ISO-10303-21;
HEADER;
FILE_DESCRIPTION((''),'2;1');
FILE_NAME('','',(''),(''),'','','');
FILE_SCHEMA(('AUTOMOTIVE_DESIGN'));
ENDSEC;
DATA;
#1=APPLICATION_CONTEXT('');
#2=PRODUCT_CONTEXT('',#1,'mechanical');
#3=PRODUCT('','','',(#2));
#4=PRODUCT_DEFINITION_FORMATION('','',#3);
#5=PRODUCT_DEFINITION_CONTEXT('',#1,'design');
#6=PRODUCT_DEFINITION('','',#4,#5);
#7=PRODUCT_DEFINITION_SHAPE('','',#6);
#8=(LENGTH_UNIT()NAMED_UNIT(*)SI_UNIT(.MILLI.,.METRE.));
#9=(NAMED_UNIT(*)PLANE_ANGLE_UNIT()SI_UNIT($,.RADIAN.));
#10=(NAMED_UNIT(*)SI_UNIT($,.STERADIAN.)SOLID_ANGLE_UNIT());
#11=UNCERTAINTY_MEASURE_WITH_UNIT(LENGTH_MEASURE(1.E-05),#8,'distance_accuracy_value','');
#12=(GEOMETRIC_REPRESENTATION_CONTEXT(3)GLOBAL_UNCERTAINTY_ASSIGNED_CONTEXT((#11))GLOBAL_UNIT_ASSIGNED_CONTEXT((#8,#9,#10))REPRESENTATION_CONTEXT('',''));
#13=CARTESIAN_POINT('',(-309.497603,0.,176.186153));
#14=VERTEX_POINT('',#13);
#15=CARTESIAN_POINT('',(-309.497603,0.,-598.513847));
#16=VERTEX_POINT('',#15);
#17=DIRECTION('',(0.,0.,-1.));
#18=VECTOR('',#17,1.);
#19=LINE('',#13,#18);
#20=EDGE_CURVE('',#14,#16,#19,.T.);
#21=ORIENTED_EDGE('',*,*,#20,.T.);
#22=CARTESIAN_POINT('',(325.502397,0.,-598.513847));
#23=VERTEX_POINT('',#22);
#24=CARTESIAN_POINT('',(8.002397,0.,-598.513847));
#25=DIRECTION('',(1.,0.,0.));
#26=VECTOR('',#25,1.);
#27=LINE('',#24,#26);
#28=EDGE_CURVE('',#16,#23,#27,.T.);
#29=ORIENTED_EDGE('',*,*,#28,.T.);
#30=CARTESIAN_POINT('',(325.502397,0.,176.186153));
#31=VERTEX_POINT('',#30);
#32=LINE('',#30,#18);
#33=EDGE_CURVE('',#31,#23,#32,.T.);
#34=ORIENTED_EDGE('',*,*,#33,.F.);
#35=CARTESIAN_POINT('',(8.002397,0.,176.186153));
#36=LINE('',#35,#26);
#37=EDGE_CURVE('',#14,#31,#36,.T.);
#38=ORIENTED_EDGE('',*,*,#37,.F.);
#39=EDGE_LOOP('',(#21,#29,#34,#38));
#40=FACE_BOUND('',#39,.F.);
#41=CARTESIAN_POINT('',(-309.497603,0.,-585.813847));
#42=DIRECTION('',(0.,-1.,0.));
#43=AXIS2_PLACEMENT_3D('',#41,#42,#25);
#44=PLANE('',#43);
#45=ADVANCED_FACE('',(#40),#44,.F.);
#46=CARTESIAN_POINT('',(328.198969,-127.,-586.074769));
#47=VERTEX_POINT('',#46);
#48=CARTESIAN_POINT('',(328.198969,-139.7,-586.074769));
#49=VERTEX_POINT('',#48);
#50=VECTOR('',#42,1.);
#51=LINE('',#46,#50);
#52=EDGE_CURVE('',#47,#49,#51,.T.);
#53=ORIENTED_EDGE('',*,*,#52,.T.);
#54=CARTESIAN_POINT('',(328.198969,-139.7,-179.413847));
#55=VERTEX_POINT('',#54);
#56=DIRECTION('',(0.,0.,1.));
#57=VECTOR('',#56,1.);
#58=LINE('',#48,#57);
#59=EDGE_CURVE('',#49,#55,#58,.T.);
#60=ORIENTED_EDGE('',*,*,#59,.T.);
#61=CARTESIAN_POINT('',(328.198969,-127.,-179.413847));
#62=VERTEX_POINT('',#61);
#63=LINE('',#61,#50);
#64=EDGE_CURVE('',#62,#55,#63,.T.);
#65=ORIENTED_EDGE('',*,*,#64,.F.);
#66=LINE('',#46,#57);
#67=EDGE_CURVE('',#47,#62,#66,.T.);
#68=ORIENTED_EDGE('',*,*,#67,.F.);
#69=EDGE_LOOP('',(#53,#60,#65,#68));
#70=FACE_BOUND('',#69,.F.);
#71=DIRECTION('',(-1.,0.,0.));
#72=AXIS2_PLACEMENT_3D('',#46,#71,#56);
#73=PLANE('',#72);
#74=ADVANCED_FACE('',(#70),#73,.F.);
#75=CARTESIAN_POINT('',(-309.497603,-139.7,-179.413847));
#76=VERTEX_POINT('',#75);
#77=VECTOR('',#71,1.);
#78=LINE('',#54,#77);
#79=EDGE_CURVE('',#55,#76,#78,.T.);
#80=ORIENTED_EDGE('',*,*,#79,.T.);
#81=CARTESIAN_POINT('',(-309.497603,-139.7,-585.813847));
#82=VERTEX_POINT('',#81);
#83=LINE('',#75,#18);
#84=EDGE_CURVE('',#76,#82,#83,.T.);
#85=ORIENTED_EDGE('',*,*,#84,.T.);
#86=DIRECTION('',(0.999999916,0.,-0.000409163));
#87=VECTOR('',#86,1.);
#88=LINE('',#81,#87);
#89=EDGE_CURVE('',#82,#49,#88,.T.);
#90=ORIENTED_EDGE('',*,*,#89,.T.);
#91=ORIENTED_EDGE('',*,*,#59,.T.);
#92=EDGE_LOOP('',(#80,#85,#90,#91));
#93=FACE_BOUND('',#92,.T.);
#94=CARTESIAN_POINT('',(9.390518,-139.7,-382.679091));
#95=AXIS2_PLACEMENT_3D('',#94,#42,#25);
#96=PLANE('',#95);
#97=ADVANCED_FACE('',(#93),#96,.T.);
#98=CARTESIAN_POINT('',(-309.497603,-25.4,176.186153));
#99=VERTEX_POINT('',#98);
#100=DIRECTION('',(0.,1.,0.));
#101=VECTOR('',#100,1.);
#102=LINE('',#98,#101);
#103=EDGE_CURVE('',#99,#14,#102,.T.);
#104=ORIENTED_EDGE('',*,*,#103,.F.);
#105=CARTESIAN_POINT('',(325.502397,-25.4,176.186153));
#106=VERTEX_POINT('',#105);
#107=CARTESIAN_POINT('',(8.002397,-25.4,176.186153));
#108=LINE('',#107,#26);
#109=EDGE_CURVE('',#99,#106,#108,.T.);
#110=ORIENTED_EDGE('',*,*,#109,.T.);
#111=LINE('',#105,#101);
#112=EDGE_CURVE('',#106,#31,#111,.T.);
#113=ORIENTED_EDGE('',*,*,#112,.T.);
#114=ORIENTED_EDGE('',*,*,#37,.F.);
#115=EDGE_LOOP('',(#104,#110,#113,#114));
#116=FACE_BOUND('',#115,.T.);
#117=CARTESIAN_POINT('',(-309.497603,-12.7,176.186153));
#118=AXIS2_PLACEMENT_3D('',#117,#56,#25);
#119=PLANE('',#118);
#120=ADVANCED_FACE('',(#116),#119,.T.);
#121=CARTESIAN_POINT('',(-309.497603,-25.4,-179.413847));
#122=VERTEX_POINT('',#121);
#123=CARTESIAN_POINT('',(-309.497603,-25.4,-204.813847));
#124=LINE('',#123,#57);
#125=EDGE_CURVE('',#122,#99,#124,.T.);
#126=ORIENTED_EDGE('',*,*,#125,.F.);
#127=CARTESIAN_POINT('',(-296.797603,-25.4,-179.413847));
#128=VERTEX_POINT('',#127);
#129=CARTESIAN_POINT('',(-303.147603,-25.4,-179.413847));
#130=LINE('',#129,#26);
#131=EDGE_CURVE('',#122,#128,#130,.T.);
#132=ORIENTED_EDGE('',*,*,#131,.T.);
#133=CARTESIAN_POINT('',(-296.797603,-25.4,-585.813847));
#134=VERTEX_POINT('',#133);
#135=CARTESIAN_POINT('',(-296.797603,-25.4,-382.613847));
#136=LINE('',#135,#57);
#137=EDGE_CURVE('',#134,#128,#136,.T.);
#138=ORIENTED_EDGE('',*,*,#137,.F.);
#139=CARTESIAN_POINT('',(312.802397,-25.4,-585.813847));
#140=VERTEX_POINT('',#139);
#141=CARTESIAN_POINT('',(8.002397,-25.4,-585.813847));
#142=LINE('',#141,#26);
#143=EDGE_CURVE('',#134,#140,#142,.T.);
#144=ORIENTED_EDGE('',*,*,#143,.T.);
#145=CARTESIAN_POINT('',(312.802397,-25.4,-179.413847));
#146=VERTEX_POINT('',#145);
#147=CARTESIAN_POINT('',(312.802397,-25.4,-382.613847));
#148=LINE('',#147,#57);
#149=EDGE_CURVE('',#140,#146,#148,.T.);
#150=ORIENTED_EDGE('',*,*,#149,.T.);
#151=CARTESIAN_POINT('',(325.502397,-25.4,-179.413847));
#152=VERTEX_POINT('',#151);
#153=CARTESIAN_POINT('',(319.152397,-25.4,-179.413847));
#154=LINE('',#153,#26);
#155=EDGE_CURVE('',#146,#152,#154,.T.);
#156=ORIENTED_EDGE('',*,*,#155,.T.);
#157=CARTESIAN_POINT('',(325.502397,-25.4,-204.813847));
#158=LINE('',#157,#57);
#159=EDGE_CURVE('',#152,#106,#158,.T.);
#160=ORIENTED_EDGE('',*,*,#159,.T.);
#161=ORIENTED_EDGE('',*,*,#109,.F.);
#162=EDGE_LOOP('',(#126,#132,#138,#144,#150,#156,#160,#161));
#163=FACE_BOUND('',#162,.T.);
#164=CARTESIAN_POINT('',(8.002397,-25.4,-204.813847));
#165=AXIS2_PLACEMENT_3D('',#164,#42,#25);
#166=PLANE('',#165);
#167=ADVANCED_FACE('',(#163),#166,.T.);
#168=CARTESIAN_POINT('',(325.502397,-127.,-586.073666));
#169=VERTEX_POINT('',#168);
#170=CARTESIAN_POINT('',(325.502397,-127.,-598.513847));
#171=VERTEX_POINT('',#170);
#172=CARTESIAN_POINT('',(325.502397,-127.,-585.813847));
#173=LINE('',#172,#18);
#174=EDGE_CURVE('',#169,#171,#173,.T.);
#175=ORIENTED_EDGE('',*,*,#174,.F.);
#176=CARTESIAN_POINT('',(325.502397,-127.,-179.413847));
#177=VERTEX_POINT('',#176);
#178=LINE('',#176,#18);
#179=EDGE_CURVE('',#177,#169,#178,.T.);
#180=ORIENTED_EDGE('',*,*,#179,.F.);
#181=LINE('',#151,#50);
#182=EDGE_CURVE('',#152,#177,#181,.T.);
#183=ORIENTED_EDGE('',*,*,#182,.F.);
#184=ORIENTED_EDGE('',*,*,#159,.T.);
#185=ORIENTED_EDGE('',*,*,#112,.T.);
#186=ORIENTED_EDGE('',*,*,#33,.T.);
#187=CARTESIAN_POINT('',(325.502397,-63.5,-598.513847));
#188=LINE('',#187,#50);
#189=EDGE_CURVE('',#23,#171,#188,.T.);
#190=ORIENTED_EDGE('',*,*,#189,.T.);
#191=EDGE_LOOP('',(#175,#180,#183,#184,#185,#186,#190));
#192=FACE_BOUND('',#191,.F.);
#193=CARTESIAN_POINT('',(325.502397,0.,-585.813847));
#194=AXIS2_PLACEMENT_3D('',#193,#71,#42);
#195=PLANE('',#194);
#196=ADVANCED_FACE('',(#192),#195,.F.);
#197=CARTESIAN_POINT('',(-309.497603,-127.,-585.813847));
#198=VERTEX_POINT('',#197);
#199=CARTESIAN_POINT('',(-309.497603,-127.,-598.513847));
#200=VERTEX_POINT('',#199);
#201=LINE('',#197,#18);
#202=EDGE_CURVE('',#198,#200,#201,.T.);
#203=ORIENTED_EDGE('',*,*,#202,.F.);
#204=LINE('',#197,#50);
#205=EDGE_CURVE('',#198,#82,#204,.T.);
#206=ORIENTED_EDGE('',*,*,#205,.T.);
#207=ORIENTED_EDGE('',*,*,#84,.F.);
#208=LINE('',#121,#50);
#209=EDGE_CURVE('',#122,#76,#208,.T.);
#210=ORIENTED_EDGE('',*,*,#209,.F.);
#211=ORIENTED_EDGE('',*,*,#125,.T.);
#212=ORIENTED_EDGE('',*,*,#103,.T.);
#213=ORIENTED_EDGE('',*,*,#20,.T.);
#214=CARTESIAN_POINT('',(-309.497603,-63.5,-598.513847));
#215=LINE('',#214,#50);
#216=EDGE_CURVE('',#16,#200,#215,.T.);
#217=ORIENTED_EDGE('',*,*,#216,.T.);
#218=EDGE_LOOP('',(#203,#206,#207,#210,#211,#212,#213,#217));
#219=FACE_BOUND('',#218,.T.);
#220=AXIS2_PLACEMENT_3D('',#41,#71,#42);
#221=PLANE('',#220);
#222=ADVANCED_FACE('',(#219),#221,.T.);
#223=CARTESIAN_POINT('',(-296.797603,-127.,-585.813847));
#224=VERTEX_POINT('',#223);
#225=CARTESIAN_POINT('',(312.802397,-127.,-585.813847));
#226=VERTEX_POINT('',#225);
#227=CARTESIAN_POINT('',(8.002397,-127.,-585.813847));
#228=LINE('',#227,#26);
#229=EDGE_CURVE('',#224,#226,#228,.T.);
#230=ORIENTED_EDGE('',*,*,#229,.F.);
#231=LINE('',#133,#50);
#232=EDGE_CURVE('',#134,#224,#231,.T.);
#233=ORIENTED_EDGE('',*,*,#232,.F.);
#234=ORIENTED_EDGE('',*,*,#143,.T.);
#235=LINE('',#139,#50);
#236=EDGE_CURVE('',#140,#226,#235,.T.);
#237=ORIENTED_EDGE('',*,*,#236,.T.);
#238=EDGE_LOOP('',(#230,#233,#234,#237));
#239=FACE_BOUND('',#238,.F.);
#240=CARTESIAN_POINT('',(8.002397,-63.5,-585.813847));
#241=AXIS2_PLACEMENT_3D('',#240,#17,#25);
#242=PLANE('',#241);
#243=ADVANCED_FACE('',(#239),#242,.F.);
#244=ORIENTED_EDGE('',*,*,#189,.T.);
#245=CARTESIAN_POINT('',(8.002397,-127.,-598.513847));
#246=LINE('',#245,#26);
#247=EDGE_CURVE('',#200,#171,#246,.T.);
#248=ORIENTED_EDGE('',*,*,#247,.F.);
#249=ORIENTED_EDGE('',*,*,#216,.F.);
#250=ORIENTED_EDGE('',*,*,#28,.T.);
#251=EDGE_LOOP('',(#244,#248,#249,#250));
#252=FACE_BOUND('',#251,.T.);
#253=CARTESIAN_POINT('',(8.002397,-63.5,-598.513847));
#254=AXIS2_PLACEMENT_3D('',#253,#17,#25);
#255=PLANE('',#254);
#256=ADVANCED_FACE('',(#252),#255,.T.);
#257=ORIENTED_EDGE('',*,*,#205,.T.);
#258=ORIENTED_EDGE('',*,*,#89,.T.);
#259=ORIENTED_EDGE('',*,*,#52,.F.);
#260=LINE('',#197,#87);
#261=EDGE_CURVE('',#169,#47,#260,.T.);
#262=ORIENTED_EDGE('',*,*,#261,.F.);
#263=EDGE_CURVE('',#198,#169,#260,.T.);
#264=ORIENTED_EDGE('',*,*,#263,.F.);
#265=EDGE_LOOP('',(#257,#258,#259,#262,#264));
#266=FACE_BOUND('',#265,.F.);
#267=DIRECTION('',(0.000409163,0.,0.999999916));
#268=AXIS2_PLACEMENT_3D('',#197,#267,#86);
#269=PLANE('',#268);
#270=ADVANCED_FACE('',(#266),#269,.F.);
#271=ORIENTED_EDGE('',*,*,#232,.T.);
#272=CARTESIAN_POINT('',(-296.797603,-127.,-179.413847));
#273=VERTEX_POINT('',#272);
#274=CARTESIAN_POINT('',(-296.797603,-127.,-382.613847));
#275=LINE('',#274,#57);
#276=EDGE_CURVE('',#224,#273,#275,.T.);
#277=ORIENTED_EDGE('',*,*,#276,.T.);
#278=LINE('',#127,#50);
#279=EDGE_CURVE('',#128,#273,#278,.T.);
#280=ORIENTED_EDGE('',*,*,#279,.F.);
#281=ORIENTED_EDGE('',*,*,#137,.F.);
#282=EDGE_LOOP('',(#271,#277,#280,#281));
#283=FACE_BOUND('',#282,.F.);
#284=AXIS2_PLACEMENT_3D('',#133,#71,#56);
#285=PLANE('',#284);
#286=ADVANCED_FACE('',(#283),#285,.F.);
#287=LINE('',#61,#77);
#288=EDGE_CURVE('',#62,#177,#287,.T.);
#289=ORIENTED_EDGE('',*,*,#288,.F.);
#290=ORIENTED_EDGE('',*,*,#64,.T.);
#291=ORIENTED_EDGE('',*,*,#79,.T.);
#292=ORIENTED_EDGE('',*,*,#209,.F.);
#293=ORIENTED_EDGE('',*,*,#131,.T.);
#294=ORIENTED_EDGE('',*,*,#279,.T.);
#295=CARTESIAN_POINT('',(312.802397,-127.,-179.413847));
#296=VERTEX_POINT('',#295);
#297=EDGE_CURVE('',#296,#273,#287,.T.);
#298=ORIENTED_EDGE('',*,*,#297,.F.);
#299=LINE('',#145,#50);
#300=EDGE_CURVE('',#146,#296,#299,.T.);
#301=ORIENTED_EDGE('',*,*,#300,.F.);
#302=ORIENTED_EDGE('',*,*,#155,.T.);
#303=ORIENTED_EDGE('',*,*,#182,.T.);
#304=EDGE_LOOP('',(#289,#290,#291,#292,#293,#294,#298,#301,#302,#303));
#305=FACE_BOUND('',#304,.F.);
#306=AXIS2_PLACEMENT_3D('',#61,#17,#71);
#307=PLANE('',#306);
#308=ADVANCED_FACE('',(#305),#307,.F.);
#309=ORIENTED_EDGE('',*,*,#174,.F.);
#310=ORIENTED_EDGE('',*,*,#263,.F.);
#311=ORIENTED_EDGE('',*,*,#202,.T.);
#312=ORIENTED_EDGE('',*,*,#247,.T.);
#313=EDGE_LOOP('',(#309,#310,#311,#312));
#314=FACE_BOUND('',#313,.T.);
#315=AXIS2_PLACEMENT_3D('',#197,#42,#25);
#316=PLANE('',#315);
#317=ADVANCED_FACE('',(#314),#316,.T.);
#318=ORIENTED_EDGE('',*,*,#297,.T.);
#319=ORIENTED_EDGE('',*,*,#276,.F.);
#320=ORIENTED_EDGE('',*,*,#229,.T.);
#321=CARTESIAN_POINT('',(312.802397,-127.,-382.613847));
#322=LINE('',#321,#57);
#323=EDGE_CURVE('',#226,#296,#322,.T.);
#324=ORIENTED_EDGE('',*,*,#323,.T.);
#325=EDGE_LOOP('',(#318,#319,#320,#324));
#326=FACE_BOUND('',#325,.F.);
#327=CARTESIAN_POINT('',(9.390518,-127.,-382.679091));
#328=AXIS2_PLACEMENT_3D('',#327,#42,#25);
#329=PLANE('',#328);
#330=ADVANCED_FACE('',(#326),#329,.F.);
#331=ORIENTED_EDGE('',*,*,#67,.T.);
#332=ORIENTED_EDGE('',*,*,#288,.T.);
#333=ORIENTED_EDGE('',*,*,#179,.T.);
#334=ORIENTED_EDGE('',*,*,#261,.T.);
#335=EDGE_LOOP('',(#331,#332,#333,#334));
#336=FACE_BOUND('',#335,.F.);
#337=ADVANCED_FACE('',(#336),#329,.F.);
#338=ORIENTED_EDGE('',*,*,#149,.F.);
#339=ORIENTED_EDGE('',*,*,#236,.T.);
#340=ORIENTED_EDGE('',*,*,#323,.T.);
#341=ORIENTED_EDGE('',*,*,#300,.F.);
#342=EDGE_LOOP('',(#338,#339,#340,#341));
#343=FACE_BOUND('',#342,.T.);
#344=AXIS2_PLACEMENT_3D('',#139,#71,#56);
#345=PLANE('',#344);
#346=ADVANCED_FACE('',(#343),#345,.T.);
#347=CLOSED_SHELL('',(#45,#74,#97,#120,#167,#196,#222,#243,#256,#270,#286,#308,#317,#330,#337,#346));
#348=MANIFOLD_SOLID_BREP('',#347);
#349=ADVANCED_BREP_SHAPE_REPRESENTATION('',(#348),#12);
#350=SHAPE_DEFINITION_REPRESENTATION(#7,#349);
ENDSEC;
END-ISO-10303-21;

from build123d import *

# Parameters (mm, degrees)
F0_W      = 635
F0_H      = 762
F1_DEPTH  = 12.7
F1_FACE_W = 635
F1_FACE_H = 762
F2_DEPTH  = 12.7
F3_W      = 12.7
F3_H      = 406.4
F4_DEPTH  = 101.6
F5_W      = 12.7
F5_H      = 406.4
F6_DEPTH  = 101.6
F8_DEPTH  = 12.7
F9_W      = 635
F9_H      = 127
F10_DEPTH = 12.7


with BuildPart() as f1:
    # F0 (on Front) → F1 (new body)
    with BuildSketch(Plane.XZ):
        with Locations((8.002397, -204.813847)):
            Rectangle(F0_W, F0_H)
    extrude(amount=F1_DEPTH)

    # F1_face (on face) → F2 (join)
    with BuildSketch(Plane(origin=(8.002397, -12.7, -204.813847), x_dir=(1, 0, 0), z_dir=(0, -1, 0))):
        Rectangle(F1_FACE_W, F1_FACE_H)
    extrude(amount=F2_DEPTH)

    # F3 (on face) → F4 (join)
    with BuildSketch(Plane.XZ.offset(25.4)):
        with Locations((-303.147603, -382.613847)):
            Rectangle(F3_W, F3_H)
    extrude(amount=F4_DEPTH)

    # F5 (on face) → F6 (join)
    with BuildSketch(Plane.XZ.offset(25.4)):
        with Locations((319.152397, -382.613847)):
            Rectangle(F5_W, F5_H)
    extrude(amount=F6_DEPTH)

    # F7 (on face) → F8 (join)
    with BuildSketch(Plane.XZ.offset(127)):
        Polygon((328.198969, -179.413847), (-309.497603, -179.413847), (-309.497603, -585.813847), (328.198969, -586.074769), align=None)
    extrude(amount=F8_DEPTH)

    # F9 (on face) → F10 (join)
    with BuildSketch(Plane(origin=(0, 0, -585.813847), x_dir=(1, 0, 0), z_dir=(0, 0, -1))):
        with Locations((8.002397, 63.5)):
            Rectangle(F9_W, F9_H)
    extrude(amount=F10_DEPTH)


solid = f1.part
